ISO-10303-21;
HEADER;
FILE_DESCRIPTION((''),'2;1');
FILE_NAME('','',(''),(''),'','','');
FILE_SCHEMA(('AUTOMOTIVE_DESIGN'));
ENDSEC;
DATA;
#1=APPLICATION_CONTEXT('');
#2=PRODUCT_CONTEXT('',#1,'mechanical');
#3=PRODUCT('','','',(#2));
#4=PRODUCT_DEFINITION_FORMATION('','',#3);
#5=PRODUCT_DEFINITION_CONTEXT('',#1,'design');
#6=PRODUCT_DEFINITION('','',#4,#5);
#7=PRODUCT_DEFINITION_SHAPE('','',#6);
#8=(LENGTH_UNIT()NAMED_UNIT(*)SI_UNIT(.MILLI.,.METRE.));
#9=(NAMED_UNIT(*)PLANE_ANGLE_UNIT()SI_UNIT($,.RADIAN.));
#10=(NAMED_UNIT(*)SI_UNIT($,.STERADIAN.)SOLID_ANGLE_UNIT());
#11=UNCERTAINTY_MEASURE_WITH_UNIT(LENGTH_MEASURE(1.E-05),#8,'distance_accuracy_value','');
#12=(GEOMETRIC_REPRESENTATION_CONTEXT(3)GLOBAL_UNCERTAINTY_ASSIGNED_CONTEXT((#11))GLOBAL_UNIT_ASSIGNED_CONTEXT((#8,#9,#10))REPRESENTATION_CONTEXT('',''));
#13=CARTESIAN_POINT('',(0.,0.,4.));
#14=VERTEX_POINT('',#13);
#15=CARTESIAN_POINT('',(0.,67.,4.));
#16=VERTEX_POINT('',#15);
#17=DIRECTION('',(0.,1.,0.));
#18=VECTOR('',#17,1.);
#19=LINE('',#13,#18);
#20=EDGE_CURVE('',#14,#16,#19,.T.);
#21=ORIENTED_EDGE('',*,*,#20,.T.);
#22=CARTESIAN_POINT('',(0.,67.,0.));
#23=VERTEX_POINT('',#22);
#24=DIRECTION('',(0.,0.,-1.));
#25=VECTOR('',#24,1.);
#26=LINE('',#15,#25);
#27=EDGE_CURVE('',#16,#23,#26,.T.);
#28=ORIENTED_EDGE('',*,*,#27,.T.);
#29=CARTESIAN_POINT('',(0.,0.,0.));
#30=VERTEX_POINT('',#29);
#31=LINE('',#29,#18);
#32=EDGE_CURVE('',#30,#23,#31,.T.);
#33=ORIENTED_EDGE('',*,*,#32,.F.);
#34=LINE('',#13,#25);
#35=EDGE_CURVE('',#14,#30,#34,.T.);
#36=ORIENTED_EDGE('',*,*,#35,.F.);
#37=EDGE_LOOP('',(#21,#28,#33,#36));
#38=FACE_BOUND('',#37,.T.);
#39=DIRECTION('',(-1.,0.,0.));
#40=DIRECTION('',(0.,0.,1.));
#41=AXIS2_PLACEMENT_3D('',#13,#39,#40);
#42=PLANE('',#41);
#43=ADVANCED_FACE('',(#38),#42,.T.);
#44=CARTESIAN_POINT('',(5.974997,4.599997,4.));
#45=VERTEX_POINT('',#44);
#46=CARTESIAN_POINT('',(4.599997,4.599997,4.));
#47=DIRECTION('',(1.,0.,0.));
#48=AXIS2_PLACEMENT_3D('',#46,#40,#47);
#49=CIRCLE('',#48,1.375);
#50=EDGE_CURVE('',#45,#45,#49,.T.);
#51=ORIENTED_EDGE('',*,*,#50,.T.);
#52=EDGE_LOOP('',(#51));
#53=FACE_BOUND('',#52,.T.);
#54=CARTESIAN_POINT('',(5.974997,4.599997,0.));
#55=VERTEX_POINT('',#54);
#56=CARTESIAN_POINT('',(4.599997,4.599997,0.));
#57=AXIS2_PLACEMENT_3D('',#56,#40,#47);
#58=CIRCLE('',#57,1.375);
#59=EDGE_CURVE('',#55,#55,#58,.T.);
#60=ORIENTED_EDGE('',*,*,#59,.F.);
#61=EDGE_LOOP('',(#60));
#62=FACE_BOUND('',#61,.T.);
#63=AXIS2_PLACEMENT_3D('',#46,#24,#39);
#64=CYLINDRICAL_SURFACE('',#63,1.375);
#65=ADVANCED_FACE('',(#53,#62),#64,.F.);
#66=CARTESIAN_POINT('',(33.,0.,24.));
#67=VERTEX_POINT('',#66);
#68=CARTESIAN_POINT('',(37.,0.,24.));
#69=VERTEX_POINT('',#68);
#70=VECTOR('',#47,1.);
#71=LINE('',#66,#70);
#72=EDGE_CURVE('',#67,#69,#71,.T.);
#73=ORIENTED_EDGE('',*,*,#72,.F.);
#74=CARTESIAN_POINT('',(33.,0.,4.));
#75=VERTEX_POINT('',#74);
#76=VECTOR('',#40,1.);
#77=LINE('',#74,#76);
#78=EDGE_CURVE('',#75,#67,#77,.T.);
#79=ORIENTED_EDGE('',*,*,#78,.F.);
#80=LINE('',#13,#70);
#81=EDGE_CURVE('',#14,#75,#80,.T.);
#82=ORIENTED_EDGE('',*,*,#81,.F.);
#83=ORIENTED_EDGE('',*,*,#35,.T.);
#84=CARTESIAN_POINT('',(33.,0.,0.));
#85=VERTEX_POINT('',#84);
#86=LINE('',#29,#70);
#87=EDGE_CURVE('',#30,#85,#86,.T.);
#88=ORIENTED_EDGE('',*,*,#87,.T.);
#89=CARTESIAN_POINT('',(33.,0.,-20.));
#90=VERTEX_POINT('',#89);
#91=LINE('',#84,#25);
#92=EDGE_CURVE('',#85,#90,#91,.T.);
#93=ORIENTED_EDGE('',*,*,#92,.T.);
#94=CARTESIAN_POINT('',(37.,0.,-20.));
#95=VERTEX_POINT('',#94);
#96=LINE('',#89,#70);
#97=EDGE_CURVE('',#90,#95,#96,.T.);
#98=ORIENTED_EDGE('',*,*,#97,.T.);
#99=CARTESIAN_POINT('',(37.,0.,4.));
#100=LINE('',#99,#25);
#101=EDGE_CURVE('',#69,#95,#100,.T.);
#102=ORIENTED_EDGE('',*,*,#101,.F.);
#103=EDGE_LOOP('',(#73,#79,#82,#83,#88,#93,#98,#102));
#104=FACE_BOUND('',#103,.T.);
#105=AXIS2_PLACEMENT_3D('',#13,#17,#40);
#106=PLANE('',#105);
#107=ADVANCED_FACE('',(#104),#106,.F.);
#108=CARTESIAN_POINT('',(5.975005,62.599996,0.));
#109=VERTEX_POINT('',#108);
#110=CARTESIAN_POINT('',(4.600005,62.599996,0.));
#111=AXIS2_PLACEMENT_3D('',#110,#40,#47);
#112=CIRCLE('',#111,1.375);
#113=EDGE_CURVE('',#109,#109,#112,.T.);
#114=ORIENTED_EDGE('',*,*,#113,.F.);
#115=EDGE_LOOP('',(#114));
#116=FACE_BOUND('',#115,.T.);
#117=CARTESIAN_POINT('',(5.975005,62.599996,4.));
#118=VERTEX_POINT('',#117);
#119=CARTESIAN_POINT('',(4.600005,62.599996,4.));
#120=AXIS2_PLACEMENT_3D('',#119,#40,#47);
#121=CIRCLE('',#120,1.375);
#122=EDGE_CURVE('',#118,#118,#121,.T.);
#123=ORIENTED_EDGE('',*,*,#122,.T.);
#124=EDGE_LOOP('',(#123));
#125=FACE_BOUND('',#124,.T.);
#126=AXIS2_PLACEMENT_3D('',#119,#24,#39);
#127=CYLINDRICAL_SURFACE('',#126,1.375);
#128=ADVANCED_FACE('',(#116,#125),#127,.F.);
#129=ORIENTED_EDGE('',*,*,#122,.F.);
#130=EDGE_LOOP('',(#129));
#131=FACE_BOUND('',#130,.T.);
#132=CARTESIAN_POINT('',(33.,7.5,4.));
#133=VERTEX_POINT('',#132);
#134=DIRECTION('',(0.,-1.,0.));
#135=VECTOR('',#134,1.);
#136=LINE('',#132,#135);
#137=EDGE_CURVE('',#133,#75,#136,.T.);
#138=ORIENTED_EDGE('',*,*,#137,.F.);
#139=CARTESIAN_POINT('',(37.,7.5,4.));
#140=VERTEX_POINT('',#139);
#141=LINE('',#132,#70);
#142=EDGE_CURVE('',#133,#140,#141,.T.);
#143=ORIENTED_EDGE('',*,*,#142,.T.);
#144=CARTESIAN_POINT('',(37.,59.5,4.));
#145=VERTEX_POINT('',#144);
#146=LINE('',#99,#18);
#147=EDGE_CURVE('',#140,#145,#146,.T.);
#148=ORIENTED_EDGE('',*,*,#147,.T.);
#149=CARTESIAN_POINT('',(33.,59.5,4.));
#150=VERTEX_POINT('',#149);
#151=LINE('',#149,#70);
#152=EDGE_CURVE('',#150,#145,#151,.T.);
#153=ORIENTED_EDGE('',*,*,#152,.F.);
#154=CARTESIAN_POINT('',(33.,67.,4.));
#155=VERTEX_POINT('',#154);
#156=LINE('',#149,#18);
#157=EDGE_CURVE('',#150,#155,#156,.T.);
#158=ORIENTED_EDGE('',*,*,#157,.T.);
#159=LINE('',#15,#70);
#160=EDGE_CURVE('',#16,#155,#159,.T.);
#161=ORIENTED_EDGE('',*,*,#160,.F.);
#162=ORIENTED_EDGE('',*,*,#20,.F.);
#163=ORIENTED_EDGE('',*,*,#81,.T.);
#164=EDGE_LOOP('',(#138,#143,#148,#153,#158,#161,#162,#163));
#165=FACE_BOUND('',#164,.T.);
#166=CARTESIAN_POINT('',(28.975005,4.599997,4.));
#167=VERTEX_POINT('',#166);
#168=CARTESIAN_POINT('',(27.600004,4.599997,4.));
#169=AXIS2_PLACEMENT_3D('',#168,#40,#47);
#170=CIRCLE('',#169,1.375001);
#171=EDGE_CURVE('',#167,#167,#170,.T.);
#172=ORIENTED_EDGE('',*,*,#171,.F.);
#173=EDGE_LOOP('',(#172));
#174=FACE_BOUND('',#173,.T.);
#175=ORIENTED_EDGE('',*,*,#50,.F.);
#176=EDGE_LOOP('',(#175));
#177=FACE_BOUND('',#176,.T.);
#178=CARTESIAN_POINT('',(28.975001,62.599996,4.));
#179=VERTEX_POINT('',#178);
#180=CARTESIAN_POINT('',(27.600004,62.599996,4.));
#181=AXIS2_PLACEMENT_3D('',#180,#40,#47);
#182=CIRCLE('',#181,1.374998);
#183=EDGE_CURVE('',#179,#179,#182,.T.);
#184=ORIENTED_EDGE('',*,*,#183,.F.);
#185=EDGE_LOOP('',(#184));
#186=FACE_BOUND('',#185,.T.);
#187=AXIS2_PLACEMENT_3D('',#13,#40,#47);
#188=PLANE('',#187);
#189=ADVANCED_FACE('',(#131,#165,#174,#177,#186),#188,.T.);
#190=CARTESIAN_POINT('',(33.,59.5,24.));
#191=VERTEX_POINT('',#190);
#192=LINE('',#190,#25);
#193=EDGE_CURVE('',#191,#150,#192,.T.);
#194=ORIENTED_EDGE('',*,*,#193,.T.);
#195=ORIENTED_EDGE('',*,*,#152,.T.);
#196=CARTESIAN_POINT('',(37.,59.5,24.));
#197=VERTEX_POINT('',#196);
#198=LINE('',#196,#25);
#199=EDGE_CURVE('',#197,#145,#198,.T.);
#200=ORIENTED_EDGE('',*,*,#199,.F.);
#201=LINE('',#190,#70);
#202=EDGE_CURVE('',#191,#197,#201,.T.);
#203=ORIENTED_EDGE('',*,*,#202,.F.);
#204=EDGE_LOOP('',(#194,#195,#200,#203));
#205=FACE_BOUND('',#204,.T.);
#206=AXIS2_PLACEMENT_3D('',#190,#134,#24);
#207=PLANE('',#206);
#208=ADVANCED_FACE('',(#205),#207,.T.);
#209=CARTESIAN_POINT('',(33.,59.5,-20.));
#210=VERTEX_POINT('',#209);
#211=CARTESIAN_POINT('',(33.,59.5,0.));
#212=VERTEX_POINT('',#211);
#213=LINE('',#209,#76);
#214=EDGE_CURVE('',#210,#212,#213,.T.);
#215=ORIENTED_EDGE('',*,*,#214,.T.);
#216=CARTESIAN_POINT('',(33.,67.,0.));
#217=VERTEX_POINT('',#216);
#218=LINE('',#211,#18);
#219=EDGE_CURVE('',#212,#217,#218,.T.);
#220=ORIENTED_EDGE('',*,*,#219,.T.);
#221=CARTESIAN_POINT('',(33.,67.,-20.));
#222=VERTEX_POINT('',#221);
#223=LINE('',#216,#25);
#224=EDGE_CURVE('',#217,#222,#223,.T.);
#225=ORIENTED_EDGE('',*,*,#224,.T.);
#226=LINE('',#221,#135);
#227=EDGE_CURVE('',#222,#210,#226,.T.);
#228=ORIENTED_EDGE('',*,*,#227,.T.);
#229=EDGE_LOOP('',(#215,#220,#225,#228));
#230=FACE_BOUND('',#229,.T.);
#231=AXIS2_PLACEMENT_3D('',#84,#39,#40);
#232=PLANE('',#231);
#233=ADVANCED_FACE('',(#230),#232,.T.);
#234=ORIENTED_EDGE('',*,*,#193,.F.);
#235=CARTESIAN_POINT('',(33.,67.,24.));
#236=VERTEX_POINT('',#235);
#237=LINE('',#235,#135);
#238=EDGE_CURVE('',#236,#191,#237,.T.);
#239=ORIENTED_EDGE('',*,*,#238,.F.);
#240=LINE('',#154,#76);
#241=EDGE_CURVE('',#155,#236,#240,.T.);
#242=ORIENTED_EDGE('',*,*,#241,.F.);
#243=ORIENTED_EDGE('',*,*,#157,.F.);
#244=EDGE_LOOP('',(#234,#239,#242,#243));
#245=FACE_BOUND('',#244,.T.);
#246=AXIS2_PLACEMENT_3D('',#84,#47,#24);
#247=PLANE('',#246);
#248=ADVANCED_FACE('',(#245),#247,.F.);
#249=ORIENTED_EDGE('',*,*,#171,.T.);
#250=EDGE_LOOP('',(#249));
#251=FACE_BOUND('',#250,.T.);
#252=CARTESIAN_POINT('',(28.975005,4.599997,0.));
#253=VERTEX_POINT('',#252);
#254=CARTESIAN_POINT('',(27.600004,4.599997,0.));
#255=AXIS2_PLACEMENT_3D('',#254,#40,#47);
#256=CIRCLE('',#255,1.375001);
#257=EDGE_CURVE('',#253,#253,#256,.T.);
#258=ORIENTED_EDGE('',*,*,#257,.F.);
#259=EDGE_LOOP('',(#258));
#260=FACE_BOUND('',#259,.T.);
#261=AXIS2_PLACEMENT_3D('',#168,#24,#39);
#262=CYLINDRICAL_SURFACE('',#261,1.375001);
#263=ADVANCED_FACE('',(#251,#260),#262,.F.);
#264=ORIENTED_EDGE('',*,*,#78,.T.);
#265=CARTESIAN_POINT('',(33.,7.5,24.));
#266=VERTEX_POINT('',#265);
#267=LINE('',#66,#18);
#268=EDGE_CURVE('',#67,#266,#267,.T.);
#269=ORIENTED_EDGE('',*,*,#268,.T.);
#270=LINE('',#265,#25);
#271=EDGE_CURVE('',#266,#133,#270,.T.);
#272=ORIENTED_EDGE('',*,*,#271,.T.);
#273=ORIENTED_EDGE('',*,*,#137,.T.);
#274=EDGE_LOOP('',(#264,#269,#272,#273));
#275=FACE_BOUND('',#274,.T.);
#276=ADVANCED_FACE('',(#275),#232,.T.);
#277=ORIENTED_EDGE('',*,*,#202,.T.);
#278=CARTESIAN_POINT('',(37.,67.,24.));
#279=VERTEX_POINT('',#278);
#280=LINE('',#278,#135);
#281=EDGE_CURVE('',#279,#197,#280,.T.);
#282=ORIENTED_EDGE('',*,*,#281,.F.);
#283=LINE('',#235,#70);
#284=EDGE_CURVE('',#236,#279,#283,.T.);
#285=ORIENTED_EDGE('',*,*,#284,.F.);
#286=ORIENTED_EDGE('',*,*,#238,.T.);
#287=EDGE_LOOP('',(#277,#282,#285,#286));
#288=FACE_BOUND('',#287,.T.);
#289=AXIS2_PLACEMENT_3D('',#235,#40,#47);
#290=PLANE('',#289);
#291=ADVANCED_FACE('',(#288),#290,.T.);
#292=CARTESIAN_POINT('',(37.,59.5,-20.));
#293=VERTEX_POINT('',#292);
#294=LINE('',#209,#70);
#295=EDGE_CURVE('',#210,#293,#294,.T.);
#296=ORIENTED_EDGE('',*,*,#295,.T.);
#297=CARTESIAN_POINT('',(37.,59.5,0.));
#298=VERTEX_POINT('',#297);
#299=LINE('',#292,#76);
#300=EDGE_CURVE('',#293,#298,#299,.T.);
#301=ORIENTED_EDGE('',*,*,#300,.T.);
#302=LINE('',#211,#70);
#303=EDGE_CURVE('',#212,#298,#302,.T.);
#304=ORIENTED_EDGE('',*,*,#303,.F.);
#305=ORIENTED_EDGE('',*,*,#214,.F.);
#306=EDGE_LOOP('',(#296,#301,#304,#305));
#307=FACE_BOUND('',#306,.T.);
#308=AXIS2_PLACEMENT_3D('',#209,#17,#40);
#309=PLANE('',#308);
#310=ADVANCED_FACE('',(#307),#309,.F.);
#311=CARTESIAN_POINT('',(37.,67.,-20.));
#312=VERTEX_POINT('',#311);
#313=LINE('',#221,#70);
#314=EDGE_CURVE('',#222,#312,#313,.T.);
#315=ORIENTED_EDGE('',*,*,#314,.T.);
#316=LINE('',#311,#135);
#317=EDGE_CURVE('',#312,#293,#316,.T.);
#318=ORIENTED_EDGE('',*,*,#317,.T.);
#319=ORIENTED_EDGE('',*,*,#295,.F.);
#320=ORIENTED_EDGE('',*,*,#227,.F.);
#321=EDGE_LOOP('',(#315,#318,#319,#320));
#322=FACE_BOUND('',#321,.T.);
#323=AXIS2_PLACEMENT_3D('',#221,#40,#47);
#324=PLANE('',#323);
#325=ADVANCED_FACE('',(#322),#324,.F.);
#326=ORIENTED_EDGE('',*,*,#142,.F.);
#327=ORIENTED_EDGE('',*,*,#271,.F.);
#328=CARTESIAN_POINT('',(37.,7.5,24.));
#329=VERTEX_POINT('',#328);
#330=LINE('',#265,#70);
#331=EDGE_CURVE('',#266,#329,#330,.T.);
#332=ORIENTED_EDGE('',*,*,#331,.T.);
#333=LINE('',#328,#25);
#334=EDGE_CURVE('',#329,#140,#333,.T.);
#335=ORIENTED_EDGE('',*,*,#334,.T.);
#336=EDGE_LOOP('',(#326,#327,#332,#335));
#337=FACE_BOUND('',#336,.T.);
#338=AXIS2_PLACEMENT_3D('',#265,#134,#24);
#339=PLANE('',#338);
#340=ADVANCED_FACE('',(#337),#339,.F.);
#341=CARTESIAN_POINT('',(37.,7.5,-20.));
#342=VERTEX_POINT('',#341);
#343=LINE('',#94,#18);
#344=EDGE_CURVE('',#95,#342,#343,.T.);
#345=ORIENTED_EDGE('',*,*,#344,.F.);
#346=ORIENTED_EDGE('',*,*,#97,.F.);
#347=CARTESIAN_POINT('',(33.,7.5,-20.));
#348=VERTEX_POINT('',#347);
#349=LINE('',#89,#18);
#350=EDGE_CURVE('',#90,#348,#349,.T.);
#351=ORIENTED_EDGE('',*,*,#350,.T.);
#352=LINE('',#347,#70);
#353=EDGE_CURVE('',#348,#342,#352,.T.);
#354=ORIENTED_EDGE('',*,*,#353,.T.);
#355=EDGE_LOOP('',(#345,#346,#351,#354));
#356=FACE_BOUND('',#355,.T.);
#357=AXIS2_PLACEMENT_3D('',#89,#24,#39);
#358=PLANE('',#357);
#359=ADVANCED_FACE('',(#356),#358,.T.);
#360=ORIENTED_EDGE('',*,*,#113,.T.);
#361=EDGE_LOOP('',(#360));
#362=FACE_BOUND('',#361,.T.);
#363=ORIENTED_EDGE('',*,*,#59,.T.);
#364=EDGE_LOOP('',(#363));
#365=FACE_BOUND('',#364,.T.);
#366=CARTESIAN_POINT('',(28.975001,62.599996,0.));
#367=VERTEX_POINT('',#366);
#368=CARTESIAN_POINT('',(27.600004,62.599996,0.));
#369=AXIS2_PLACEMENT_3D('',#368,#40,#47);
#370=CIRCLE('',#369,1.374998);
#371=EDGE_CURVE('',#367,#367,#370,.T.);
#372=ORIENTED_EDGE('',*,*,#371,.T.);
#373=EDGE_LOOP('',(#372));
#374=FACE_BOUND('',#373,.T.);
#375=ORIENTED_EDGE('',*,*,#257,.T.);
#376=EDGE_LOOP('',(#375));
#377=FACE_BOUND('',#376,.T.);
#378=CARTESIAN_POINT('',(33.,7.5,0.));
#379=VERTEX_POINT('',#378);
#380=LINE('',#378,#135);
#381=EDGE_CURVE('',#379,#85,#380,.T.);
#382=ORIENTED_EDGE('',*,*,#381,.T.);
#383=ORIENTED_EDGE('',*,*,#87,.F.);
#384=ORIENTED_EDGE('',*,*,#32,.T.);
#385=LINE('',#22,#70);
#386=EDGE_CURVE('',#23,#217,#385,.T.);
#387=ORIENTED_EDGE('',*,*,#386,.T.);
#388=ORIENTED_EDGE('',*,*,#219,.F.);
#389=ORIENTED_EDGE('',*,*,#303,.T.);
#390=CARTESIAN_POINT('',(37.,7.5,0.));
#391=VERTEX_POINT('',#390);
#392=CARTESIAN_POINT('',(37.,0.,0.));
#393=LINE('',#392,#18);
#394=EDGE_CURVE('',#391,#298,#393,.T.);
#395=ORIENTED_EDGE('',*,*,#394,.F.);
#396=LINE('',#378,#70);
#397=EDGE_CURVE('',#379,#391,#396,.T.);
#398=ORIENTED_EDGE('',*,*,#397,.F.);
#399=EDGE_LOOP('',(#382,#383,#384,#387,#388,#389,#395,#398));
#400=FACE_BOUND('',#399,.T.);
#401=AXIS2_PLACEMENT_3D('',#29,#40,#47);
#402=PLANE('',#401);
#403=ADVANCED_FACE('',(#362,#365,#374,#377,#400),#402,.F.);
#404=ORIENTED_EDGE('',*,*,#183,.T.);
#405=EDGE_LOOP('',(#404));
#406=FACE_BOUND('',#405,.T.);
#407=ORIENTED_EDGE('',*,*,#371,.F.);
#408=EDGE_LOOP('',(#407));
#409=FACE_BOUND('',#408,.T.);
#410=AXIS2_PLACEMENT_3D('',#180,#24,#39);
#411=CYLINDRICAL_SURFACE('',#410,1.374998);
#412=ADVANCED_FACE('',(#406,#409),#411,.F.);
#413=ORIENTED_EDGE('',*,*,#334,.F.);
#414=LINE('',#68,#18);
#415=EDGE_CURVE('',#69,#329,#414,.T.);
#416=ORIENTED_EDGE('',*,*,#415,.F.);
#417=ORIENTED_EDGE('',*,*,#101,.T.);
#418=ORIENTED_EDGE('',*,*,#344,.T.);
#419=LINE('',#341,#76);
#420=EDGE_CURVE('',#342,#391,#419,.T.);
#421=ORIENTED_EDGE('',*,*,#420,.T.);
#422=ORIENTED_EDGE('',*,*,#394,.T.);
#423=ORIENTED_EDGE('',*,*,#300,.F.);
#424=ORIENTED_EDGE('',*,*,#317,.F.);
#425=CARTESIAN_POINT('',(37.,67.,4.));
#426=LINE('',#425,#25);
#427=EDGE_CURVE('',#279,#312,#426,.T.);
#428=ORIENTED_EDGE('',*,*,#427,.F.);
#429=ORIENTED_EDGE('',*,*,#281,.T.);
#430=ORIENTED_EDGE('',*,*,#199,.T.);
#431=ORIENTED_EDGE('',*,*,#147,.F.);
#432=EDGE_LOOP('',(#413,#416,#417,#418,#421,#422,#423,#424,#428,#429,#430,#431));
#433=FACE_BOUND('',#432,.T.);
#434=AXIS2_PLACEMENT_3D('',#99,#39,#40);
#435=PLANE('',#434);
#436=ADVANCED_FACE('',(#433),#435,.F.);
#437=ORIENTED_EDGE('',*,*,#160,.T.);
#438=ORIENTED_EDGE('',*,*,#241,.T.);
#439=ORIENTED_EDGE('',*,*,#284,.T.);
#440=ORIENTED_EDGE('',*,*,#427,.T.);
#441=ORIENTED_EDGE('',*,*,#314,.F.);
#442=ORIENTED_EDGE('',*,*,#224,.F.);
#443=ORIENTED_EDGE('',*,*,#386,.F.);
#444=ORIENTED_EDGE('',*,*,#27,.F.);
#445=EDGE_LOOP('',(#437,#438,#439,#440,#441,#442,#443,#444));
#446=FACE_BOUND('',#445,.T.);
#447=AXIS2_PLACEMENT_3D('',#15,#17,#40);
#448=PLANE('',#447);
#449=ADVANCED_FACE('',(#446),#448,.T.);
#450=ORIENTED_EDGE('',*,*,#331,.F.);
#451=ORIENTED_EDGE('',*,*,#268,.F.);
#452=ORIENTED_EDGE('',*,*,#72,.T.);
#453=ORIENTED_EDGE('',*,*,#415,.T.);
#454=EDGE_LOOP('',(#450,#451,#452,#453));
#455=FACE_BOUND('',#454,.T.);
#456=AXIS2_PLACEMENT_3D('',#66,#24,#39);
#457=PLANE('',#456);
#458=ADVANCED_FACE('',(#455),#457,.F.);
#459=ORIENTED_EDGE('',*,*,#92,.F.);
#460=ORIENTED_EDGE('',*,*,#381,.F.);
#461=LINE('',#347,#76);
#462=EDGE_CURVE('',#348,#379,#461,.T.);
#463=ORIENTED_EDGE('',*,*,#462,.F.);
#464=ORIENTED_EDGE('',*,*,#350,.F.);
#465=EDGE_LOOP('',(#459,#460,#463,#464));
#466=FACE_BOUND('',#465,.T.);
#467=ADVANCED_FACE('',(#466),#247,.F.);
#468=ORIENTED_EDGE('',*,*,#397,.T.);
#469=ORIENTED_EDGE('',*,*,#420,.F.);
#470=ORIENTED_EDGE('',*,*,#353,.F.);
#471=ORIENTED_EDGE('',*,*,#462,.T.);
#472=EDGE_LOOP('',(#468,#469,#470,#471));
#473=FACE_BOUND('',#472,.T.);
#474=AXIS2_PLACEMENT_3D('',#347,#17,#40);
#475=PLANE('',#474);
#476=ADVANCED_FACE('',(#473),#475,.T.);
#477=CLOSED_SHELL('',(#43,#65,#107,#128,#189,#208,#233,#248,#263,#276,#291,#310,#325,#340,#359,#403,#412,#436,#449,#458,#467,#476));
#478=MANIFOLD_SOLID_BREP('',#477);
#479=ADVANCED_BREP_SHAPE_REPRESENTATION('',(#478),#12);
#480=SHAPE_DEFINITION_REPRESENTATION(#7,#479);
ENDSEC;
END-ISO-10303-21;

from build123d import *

# Parameters (mm, degrees)
SZKIC2_W                    = 32
SZKIC2_H                    = 67
SZKIC2_R                    = 1.375000051
SZKIC2_R_2                  = 1.375001066
SZKIC2_R_3                  = 1.375000054
SZKIC2_R_4                  = 1.374997602
SZKIC2_W_2                  = 5
DODANIE_WYCI_GNI_CIE1_DEPTH = 4
SZKIC7_W                    = 20
SZKIC7_H                    = 7.5
DODANIE_WYCI_GNI_CIE2_DEPTH = 4


with BuildPart() as part:
    # Szkic2 → Dodanie-wyciągnięcie1 (new body)
    # profile 1 of 2: a face of its own
    with BuildSketch(Plane.XY):
        with Locations((16, 33.5)):
            Rectangle(SZKIC2_W, SZKIC2_H)
        with Locations((4.59999689, 4.59999658)):
            Circle(SZKIC2_R, mode=Mode.SUBTRACT)
        with Locations((27.600003502, 4.59999658)):
            Circle(SZKIC2_R_2, mode=Mode.SUBTRACT)
        with Locations((4.600005213, 62.599996076)):
            Circle(SZKIC2_R_3, mode=Mode.SUBTRACT)
        with Locations((27.600003502, 62.599996076)):
            Circle(SZKIC2_R_4, mode=Mode.SUBTRACT)
    # profile 2 of 2: a face of its own
    with BuildSketch(Plane.XY):
        with Locations((34.5, 33.5)):
            Rectangle(SZKIC2_W_2, SZKIC2_H)
    extrude(amount=DODANIE_WYCI_GNI_CIE1_DEPTH)

    # Szkic7 → Dodanie-wyciągnięcie2 (add)
    with BuildSketch(Plane(origin=(37, 0, 0), x_dir=(0, 0, -1), z_dir=(1, 0, 0))):
        with Locations((-14, 3.75)):
            Rectangle(SZKIC7_W, SZKIC7_H)
        with Locations((10, 3.75)):
            Rectangle(SZKIC7_W, SZKIC7_H)
        with Locations((-14, 63.25)):
            Rectangle(SZKIC7_W, SZKIC7_H)
        with Locations((10, 63.25)):
            Rectangle(SZKIC7_W, SZKIC7_H)
    extrude(amount=-DODANIE_WYCI_GNI_CIE2_DEPTH)


solid = part.part
